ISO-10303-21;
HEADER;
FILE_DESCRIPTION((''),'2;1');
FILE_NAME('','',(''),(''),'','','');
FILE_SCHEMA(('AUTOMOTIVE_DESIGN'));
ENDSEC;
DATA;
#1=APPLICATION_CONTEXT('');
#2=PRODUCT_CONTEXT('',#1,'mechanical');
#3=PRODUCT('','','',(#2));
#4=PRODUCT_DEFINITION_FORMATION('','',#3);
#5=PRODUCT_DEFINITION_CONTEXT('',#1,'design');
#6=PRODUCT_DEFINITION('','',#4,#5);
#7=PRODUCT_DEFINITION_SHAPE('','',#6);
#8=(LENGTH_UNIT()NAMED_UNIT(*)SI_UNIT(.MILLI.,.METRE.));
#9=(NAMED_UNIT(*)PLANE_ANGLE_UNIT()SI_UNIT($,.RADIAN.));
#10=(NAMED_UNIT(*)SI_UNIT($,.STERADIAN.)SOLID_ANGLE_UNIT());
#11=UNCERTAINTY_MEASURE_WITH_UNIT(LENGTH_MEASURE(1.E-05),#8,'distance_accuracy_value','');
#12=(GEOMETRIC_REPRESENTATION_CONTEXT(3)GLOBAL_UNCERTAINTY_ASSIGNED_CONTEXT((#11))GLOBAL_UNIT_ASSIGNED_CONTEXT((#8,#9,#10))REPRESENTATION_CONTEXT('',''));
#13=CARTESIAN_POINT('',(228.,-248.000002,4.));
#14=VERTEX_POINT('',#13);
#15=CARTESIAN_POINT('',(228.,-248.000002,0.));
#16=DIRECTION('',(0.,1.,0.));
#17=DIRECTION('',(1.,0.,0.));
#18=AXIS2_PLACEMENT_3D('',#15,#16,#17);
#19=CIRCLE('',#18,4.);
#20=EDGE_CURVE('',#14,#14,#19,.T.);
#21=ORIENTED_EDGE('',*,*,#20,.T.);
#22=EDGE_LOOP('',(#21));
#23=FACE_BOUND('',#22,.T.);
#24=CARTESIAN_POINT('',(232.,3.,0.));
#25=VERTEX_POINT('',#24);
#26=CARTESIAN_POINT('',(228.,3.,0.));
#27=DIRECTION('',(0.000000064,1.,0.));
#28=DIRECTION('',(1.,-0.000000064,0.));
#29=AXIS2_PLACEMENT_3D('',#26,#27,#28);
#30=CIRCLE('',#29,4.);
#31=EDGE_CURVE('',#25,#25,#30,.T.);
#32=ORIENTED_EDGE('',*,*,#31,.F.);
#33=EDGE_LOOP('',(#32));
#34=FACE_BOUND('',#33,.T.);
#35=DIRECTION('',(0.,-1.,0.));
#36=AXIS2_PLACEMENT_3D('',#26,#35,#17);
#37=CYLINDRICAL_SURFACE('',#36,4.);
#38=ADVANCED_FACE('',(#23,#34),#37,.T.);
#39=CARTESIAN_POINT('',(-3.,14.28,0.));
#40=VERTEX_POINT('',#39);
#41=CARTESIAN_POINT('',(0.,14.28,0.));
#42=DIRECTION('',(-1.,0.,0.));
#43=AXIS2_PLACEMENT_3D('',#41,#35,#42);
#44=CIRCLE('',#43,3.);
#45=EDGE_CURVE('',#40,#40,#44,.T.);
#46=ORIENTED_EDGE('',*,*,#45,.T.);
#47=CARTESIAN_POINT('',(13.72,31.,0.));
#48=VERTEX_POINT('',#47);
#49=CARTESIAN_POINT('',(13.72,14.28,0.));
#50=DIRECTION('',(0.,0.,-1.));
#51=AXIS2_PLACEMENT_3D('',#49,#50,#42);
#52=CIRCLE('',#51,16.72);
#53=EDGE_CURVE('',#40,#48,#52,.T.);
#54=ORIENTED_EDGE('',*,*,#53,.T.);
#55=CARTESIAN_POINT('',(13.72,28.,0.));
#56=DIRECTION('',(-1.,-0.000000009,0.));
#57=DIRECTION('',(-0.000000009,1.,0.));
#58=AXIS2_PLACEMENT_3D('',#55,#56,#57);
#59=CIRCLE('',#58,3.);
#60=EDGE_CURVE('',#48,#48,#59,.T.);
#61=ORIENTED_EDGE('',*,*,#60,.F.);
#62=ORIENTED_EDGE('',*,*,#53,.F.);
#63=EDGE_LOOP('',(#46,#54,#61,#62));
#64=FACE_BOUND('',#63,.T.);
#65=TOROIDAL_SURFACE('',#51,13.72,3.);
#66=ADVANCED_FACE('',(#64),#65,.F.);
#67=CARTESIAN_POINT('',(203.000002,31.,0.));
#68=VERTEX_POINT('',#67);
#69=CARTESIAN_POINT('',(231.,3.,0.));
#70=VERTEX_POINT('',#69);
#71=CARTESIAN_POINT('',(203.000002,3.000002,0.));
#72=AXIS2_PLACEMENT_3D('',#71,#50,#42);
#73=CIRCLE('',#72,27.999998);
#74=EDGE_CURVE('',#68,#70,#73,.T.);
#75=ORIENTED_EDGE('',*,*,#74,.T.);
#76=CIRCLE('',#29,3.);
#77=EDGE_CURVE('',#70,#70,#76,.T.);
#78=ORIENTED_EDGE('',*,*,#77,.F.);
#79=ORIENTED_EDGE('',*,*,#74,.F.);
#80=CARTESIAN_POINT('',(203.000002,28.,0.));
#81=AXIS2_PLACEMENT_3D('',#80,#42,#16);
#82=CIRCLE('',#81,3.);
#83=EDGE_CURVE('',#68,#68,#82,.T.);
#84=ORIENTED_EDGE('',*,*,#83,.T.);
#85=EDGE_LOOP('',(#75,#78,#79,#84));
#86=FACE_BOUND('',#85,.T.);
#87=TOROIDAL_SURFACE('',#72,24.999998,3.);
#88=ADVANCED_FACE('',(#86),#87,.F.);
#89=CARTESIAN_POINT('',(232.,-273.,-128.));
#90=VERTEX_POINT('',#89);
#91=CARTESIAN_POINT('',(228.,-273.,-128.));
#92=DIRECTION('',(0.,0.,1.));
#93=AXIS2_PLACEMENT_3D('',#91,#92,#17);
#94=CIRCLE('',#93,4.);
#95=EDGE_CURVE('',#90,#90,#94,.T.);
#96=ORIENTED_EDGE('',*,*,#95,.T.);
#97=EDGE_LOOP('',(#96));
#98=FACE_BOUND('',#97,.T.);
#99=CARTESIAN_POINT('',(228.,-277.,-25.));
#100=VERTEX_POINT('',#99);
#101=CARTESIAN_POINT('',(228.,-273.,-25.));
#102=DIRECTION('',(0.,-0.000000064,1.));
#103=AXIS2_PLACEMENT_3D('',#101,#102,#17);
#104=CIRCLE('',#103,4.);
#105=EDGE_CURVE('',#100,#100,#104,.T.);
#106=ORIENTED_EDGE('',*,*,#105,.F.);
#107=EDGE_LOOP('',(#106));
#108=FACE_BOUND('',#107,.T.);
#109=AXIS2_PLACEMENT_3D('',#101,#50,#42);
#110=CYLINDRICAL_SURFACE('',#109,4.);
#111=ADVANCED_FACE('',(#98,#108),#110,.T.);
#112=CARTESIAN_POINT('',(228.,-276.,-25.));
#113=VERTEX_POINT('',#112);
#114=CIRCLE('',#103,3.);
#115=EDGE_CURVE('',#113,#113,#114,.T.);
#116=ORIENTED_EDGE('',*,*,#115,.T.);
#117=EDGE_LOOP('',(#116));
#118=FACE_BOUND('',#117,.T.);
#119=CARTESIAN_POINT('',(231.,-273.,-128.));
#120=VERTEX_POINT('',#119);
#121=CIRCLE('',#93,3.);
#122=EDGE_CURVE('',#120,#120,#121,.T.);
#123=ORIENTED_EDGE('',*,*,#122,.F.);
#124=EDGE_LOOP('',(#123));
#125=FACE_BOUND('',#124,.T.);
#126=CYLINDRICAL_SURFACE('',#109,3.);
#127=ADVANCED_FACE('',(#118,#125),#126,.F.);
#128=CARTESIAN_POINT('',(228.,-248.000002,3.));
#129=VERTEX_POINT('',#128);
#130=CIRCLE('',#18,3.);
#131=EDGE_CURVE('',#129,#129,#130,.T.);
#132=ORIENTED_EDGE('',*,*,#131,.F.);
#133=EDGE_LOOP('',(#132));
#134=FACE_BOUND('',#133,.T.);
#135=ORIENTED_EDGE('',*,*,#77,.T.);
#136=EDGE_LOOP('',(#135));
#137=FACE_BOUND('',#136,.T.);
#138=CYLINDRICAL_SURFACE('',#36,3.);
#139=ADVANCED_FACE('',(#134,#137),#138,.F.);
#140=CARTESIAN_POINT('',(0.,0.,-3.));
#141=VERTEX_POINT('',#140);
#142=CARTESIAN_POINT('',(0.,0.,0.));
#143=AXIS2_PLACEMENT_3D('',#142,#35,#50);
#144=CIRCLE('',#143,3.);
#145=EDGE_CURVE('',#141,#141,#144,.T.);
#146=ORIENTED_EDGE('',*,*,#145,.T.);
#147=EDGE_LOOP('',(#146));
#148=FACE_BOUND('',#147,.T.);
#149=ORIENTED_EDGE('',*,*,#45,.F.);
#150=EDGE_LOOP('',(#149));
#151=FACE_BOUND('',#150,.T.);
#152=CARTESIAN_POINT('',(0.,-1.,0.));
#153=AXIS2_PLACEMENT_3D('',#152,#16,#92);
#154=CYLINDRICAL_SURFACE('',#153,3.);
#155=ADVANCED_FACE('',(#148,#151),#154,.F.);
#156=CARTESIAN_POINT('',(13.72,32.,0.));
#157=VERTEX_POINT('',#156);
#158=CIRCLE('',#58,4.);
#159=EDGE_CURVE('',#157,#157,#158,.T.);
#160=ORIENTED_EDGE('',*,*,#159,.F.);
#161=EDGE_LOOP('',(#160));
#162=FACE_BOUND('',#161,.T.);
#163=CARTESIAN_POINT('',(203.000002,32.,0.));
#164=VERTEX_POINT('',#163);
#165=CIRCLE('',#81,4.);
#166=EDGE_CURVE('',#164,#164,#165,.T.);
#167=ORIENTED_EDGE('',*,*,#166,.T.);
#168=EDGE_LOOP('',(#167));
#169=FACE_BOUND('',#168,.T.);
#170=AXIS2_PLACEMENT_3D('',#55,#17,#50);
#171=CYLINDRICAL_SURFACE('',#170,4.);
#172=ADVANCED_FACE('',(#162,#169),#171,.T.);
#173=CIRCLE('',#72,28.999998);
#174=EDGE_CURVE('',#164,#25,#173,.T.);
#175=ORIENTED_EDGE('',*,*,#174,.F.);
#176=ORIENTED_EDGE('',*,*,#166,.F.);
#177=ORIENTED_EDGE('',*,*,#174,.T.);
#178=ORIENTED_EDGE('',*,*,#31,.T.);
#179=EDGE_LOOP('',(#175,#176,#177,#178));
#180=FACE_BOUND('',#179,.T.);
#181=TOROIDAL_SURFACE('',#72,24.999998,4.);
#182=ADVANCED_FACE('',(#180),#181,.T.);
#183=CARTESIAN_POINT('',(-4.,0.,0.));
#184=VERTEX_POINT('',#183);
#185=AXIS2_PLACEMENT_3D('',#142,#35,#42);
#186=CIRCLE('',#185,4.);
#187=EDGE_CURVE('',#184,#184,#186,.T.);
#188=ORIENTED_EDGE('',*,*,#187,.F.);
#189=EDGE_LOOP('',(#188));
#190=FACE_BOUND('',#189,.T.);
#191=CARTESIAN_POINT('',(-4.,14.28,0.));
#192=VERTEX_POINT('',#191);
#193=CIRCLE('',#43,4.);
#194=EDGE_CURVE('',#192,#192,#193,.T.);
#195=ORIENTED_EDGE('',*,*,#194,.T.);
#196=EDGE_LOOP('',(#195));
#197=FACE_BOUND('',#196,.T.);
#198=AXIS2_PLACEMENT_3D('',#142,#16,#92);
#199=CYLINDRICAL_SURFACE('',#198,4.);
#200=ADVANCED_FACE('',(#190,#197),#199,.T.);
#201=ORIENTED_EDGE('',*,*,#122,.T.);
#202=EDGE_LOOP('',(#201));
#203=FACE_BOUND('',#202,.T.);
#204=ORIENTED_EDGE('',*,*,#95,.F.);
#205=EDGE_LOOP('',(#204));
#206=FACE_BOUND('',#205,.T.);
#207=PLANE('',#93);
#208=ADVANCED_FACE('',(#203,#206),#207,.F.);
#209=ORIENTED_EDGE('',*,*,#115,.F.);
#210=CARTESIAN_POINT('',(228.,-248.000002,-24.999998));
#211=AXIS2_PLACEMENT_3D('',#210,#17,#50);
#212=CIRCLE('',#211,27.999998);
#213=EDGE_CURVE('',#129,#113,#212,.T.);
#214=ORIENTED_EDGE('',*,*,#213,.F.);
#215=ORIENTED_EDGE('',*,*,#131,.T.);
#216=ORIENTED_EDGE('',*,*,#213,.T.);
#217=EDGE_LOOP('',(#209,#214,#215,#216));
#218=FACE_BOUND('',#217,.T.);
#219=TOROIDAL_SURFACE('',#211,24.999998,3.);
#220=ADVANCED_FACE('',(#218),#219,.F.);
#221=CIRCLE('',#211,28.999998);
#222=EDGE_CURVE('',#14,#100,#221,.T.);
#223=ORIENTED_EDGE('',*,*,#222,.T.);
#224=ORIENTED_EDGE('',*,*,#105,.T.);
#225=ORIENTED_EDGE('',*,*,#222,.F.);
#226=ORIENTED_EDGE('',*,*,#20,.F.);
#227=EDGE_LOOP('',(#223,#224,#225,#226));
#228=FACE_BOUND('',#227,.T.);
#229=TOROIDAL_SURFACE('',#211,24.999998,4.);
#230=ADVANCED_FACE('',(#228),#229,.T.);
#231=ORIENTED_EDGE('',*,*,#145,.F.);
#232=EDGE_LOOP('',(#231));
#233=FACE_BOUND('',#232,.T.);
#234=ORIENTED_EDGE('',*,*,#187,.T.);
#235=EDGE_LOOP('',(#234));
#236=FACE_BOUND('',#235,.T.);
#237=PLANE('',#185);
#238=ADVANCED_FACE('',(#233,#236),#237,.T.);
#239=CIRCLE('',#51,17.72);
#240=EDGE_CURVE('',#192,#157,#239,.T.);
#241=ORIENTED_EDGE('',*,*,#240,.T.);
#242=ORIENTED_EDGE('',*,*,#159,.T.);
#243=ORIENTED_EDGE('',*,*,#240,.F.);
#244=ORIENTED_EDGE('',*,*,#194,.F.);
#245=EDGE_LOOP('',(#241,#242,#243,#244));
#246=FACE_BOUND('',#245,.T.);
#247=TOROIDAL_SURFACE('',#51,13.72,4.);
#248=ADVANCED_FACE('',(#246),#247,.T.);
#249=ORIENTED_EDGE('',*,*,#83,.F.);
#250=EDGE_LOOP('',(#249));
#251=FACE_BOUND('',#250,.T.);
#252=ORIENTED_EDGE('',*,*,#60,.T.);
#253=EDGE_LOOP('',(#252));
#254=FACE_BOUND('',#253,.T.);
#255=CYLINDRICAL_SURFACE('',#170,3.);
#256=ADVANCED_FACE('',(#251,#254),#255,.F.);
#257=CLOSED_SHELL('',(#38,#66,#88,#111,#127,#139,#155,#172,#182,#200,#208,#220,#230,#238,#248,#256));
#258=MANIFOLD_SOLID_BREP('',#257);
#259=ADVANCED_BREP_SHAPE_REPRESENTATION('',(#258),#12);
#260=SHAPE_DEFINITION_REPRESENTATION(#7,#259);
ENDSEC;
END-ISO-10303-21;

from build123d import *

# Parameters (mm, degrees)
SWEEP1_PROFILE_R                           = 4
HOLLOW_TUBE_OD_AND_WALL_PROVISIONAL_PROF_R = 3


with BuildPart() as part:
    # Sweep1: sweep along a curve in space
    with BuildLine() as sweep1_path:
        Line((0, 0, 0), (0, 14.279999871, 0))
        ThreePointArc((0, 14.279999871, 0), (4.018494954, 23.981504954, 0), (13.72, 28, 0))
        Line((13.72, 28, 0), (203.000001606, 28, 0))
        ThreePointArc((203.000001606, 28, 0), (220.677670568, 20.677669432, 0), (228, 3, 0))
        Line((228, 3, 0), (228, -248.000001606, 0))
        ThreePointArc((228, -248.000001606, 0), (228, -265.677670568, -7.322330568), (228, -273, -25))
        Line((228, -273, -25), (228, -273, -128))
    # Sweep1 profile (on start of the path) → Sweep1 (sweep)
    with BuildSketch(Plane.ZX):
        Circle(SWEEP1_PROFILE_R)
    sweep(path=sweep1_path.line)

    # Hollow_tube_OD_and_wall_PROVISIONAL: sweep along a curve in space
    with BuildLine() as hollow_tube_od_and_wall_provisional_path:
        Line((0, 0, 0), (0, 14.279999871, 0))
        ThreePointArc((0, 14.279999871, 0), (4.018494954, 23.981504954, 0), (13.72, 28, 0))
        Line((13.72, 28, 0), (203.000001606, 28, 0))
        ThreePointArc((203.000001606, 28, 0), (220.677670568, 20.677669432, 0), (228, 3, 0))
        Line((228, 3, 0), (228, -248.000001606, 0))
        ThreePointArc((228, -248.000001606, 0), (228, -265.677670568, -7.322330568), (228, -273, -25))
        Line((228, -273, -25), (228, -273, -128))
    # Hollow_tube_OD_and_wall_PROVISIONAL prof (on start of the path) → Hollow_tube_OD_and_wall_PROVISIONAL (sweep, cut)
    with BuildSketch(Plane.ZX):
        Circle(HOLLOW_TUBE_OD_AND_WALL_PROVISIONAL_PROF_R)
    sweep(path=hollow_tube_od_and_wall_provisional_path.line, mode=Mode.SUBTRACT)


solid = part.part
